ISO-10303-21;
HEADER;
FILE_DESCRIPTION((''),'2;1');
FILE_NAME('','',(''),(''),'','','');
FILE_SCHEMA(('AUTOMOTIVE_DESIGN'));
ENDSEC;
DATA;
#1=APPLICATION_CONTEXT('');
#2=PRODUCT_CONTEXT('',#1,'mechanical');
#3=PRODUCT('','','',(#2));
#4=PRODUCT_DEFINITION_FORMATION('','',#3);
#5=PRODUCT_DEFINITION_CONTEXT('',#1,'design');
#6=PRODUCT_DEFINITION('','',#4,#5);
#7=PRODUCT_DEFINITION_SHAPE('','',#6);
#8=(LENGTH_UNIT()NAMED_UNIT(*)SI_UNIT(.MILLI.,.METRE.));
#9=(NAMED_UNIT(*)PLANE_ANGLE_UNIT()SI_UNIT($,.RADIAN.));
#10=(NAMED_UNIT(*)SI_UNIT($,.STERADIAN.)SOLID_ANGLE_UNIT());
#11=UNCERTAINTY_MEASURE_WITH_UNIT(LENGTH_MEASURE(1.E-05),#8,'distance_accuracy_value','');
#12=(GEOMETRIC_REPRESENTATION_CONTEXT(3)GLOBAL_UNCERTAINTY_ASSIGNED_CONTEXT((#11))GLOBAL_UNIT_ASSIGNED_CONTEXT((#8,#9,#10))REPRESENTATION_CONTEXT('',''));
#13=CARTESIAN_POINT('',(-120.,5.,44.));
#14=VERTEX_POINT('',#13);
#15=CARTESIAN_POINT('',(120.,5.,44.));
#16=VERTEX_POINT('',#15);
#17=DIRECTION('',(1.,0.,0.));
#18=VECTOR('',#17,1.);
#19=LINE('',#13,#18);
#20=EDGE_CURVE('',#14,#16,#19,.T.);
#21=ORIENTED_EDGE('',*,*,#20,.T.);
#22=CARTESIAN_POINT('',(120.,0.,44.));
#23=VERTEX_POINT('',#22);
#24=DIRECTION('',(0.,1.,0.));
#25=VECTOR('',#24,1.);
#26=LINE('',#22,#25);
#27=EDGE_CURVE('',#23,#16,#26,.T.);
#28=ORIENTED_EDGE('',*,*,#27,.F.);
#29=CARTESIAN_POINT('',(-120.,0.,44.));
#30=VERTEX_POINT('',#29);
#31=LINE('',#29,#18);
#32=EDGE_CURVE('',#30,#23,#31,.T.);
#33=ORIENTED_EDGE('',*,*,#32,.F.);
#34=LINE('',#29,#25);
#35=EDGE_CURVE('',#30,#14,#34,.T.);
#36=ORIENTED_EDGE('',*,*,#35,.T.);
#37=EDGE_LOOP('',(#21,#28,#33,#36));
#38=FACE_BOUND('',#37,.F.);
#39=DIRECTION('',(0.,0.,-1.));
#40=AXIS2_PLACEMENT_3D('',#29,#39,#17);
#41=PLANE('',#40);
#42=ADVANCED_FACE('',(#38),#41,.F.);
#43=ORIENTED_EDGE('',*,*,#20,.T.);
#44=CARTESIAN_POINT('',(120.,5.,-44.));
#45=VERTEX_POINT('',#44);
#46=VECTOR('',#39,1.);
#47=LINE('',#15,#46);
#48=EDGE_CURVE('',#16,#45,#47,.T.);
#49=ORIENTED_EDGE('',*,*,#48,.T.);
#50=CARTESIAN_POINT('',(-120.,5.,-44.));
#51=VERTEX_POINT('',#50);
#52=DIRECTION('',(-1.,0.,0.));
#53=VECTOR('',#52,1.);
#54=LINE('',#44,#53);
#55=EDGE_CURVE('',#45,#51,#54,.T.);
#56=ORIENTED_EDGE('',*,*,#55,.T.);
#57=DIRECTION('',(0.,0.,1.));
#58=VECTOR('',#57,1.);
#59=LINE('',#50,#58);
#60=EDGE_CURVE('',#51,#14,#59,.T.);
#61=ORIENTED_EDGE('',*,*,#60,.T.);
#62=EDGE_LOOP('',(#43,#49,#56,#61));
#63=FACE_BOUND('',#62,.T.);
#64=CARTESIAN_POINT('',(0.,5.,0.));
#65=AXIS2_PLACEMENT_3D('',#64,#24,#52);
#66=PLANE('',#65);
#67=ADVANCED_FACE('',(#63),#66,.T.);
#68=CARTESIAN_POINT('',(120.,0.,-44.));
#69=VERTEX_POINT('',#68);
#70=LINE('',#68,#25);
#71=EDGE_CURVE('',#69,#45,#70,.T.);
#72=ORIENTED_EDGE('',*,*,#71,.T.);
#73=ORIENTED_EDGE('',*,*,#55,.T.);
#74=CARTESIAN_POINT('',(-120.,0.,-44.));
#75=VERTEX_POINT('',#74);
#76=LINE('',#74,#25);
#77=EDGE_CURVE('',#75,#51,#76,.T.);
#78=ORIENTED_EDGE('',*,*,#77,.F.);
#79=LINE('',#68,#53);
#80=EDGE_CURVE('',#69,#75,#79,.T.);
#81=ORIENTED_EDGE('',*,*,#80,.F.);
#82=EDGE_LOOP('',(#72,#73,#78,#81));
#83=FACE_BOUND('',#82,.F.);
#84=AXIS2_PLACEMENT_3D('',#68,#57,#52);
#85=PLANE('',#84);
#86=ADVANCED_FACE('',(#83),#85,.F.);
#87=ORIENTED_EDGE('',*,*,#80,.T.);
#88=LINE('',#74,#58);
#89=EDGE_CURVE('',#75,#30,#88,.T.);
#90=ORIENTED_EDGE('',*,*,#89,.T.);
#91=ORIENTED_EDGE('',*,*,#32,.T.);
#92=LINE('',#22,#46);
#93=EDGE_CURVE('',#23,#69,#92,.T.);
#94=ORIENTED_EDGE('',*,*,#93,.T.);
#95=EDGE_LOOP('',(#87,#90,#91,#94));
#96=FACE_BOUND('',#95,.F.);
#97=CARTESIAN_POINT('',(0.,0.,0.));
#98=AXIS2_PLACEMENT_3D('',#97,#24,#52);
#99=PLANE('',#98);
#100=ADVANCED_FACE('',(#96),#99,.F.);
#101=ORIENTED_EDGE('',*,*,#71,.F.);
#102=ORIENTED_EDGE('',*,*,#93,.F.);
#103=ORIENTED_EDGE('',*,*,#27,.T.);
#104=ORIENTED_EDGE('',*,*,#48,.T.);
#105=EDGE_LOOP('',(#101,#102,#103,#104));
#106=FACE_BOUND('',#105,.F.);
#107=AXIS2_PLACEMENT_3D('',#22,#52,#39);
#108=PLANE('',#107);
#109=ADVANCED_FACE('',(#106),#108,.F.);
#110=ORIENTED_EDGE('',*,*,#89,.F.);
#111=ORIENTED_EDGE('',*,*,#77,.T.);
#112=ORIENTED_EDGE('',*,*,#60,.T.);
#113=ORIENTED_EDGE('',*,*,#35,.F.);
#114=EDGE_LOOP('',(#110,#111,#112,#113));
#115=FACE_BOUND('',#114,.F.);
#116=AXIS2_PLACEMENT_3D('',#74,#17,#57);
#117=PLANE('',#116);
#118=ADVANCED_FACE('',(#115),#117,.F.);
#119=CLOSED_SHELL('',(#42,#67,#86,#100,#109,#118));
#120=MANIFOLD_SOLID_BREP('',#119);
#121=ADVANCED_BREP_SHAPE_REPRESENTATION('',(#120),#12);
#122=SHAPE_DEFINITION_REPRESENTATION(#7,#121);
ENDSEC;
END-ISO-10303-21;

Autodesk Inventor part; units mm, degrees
ref_plane "YZ Plane" through (0, 0, 0) normal (1, 0, 0) x (0, 1, 0)
ref_plane "XZ Plane" through (0, 0, 0) normal (0, 1, 0) x (-1, 0, 0)
ref_plane "XY Plane" through (0, 0, 0) normal (0, 0, 1) x (1, 0, 0)
sketch "Sketch1" plane through (0, 0, 0) normal (0, 1, 0) x (-1, 0, 0)
  line L0 (-120, -44) -> (120, -44)
  line L1 (120, -44) -> (120, 44)
  line L2 (120, 44) -> (-120, 44)
  line L3 (-120, 44) -> (-120, -44)
  line L4 (-120, -44) -> (120, 44) construction
  line L5 (120, -44) -> (-120, 44) construction
  point P0 (0, 0)
  dimension "d0" = 240
  dimension "d1" = 88
extrude "Extrusion1" add sketch "Sketch1" along normal blind 5
properties part number "Internal opening side verticle"
